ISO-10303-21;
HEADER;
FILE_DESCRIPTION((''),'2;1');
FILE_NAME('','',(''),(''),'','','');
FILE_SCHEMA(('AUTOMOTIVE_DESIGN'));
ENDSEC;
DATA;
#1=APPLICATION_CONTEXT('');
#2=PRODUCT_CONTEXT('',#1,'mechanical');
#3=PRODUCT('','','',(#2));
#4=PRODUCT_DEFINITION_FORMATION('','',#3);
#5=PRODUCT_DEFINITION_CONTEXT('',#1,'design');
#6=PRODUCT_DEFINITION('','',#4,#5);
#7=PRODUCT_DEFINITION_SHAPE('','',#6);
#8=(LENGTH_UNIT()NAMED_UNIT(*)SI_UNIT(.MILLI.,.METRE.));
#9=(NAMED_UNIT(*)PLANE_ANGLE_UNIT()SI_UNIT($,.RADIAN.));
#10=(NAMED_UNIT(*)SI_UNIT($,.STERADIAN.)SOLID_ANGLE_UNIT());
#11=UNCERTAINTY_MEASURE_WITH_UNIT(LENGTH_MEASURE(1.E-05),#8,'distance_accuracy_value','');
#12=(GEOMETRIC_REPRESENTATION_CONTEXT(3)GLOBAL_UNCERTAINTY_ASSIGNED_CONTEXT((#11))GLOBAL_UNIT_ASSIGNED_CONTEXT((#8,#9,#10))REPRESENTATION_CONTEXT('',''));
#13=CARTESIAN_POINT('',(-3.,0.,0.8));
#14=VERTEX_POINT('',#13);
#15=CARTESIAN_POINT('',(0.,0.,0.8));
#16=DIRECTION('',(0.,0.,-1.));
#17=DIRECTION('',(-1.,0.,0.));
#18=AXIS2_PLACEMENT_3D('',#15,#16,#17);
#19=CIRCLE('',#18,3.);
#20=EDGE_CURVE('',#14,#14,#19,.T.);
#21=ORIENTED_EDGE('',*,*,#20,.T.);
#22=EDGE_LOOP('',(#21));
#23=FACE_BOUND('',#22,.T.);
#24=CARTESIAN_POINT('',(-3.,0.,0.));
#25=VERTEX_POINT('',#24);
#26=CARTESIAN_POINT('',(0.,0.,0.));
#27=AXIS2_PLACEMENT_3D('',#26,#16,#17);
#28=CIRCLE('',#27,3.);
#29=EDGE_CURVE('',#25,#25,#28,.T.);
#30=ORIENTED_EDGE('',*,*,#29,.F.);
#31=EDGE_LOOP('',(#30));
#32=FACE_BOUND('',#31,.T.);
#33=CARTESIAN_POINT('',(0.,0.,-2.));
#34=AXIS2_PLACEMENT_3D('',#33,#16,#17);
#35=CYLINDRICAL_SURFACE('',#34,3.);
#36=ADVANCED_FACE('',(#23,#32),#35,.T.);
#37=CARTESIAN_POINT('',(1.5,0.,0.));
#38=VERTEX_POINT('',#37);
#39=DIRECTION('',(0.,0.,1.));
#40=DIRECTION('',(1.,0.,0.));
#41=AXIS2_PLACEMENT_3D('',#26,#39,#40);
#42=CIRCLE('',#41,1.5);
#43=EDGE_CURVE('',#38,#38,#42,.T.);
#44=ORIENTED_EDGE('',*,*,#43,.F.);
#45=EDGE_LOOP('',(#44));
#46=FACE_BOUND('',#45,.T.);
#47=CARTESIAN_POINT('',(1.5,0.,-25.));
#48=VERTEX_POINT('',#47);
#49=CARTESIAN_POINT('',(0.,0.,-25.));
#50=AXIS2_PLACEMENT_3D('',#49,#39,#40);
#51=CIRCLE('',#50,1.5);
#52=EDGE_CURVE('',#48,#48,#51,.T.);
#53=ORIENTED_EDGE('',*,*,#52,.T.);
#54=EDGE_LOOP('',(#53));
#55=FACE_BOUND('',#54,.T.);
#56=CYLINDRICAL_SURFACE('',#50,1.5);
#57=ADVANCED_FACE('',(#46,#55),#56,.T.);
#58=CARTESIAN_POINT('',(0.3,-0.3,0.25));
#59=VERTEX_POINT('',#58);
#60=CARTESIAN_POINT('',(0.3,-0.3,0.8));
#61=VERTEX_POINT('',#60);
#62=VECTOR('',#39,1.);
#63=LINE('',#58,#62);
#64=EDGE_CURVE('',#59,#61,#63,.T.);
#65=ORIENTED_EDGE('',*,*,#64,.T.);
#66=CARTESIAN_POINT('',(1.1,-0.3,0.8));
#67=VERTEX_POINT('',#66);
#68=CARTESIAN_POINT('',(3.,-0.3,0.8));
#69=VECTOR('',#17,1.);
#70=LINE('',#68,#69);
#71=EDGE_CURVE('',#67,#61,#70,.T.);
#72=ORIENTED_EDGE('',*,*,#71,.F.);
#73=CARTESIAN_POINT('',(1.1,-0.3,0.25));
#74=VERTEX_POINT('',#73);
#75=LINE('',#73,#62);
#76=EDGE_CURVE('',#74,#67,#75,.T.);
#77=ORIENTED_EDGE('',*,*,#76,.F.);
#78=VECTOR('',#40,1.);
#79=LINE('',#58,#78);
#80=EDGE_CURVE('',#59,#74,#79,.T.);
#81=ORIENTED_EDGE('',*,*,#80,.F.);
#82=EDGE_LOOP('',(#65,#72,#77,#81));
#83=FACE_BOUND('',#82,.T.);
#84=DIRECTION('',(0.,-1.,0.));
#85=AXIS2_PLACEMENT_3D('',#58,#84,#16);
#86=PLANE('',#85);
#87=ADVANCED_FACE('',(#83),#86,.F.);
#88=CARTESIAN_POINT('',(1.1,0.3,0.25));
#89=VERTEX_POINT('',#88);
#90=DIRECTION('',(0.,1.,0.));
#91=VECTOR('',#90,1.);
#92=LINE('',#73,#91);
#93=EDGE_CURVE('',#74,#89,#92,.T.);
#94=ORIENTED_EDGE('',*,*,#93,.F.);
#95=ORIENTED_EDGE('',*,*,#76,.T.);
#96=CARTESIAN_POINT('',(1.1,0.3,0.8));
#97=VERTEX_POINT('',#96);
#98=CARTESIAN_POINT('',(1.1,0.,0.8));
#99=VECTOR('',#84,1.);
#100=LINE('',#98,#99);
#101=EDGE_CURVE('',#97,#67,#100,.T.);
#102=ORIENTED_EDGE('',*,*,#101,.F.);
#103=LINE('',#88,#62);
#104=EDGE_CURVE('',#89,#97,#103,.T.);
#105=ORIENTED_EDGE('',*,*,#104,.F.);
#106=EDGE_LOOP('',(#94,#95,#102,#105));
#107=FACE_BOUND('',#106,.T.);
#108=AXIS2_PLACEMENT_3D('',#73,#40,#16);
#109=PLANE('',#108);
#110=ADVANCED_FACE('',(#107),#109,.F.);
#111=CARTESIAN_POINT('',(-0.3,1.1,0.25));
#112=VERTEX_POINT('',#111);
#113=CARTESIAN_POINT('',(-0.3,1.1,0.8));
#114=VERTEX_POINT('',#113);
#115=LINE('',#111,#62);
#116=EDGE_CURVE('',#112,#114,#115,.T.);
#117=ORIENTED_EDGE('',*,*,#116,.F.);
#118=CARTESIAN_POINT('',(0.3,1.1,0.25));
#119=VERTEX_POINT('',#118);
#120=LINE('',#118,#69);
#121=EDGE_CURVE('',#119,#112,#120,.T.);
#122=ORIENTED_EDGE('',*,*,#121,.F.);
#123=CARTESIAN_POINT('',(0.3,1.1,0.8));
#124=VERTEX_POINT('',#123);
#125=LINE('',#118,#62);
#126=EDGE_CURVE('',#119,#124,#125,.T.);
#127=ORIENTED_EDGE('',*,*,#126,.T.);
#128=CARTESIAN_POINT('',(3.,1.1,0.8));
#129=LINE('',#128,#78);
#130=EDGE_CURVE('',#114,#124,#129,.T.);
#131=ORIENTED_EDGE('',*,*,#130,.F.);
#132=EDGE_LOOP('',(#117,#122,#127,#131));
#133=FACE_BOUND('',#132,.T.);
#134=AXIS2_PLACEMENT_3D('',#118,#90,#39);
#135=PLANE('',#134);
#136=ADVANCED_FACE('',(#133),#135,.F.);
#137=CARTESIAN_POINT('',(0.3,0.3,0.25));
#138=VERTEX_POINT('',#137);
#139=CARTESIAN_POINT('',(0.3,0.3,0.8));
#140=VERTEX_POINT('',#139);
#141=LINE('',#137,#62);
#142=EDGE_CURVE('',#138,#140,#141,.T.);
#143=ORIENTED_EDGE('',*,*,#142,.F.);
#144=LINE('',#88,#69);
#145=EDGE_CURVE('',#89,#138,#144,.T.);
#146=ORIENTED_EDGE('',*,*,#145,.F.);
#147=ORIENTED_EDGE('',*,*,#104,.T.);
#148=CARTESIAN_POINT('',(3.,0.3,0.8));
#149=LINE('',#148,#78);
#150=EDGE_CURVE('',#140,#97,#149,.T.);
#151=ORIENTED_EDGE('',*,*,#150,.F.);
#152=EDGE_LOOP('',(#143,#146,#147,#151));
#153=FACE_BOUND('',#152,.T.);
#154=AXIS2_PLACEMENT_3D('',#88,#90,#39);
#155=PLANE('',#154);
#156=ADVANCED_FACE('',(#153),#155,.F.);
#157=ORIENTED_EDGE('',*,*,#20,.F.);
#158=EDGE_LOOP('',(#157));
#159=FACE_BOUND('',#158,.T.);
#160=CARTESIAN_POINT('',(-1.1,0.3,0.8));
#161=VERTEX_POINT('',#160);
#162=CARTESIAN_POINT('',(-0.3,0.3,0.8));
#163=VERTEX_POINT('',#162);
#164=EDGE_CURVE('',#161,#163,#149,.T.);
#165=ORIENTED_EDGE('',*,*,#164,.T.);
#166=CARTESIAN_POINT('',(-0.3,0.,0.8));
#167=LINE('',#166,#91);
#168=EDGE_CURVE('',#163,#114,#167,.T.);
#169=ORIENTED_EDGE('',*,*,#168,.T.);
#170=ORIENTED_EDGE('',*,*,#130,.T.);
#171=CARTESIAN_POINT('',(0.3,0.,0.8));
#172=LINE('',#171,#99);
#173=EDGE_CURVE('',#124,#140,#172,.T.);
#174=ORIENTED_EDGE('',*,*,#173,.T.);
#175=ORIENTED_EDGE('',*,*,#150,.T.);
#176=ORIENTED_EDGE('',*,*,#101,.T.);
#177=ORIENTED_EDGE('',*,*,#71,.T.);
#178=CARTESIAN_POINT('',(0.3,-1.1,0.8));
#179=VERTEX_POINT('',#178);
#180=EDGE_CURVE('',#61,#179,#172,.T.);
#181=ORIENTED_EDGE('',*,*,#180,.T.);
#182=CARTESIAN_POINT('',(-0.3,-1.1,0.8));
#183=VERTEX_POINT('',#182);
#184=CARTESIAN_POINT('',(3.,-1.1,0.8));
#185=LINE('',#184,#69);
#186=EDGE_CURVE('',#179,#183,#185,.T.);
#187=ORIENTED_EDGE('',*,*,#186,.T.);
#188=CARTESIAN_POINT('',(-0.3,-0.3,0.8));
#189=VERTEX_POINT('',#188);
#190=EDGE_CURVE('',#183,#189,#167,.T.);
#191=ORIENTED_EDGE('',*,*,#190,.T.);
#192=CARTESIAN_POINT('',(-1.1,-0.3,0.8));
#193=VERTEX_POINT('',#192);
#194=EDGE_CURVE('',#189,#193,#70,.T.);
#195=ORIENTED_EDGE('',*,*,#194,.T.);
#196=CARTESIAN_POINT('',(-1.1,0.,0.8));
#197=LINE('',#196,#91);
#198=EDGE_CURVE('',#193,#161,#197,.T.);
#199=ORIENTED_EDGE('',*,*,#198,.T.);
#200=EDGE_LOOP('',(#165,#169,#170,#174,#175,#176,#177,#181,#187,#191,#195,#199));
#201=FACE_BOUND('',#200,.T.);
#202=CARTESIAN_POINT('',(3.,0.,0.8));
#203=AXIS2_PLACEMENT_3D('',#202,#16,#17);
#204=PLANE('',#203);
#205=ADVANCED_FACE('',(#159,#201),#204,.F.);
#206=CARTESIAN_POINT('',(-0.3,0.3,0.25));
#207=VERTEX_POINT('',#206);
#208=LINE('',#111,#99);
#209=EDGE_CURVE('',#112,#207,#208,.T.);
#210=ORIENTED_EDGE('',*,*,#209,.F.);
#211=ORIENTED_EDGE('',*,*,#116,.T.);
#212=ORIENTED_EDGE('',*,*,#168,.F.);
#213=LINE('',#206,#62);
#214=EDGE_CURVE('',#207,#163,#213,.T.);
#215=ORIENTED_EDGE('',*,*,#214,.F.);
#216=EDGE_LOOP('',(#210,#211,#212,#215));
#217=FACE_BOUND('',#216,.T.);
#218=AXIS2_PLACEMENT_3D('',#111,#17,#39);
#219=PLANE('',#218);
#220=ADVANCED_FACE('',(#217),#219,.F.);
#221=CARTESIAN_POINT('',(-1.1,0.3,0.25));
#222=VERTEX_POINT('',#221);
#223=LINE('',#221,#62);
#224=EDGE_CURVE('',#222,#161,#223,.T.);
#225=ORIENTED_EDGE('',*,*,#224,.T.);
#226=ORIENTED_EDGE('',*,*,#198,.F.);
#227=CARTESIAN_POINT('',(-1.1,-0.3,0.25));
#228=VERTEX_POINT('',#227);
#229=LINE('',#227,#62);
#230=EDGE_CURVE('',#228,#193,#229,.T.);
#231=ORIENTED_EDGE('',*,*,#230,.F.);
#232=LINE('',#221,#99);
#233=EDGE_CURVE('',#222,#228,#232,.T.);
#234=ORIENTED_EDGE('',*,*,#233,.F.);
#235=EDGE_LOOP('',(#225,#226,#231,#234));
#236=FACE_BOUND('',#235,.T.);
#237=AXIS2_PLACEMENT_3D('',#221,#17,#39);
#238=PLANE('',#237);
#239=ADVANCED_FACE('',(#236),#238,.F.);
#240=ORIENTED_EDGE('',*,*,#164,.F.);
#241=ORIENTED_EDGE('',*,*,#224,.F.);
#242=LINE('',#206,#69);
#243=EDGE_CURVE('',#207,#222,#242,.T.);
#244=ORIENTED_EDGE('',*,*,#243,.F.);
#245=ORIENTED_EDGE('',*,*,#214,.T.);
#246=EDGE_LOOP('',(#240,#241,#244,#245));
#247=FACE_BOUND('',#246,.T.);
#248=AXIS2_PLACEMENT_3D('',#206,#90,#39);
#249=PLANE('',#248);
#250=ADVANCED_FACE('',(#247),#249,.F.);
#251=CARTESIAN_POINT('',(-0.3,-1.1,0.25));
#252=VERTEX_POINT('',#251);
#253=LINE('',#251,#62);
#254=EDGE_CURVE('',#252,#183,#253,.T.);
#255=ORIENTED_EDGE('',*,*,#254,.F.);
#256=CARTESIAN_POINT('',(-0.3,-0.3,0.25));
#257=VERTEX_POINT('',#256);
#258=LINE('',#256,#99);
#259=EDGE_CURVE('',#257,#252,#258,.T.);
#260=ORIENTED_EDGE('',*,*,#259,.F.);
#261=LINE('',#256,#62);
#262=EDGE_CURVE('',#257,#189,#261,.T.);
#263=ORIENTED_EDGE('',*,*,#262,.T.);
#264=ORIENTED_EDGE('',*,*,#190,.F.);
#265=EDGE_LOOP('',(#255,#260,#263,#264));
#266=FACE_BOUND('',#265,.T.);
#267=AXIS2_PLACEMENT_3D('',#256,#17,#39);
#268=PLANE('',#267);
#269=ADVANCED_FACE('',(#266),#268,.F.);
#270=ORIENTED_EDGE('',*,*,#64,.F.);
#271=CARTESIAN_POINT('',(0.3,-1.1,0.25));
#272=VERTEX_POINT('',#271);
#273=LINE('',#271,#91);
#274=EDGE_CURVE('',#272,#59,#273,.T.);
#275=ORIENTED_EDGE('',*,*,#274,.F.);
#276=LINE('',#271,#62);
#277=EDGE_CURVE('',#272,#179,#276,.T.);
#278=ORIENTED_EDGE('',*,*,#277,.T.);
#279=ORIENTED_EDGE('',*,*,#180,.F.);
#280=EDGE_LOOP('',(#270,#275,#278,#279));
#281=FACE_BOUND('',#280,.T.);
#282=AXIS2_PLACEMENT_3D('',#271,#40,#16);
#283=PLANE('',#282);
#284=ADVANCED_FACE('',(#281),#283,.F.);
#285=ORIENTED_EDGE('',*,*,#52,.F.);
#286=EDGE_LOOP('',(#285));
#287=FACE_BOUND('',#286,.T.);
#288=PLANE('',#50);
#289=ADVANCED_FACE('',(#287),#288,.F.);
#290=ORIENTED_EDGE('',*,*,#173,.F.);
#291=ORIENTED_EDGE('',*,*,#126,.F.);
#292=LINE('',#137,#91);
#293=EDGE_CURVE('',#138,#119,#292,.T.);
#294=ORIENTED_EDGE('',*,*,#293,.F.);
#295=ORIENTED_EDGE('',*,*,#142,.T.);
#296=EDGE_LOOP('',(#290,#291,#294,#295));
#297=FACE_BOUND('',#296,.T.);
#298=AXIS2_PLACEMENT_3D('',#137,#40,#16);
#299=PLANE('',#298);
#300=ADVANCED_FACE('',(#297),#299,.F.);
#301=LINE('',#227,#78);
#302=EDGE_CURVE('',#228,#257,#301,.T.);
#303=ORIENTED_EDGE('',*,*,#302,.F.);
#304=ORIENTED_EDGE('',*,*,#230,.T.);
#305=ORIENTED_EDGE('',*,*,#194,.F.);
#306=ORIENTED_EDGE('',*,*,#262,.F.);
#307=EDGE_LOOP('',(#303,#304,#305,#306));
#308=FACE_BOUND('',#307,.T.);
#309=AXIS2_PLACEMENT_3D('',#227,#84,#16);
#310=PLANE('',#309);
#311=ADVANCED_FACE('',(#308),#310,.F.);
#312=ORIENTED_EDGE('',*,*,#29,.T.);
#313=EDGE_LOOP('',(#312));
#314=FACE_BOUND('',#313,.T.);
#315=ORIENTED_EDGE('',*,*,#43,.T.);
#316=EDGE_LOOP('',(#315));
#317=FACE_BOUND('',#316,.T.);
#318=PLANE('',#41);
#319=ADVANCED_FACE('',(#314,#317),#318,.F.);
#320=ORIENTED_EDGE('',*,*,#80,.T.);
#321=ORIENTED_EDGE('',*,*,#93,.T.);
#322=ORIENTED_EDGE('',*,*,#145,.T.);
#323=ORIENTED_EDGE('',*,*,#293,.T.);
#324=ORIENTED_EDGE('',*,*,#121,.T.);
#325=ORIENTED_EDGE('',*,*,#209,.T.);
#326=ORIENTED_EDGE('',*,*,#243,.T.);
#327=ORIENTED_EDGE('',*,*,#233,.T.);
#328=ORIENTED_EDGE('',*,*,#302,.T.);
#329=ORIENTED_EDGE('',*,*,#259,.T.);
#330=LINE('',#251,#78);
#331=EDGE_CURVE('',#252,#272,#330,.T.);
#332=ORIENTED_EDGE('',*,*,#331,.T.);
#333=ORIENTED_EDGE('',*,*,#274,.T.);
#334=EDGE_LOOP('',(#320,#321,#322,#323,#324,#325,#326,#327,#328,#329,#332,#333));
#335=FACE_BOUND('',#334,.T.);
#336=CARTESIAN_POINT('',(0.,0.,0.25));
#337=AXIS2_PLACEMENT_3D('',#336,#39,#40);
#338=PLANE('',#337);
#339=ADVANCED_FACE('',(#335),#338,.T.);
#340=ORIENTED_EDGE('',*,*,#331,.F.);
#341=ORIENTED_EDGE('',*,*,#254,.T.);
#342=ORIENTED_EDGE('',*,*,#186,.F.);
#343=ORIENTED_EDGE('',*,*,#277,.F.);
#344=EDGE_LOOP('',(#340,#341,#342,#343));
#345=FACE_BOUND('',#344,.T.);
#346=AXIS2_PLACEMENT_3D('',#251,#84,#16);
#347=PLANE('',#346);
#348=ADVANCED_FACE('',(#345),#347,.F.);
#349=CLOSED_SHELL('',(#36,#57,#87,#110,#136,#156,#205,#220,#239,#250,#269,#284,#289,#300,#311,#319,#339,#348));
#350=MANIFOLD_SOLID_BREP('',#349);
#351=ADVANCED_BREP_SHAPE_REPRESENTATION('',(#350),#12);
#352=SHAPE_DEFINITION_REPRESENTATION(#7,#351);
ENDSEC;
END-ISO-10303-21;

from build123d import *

# Parameters (mm, degrees)
SKETCH_1_R        = 1.5
EXTRUDE_198_DEPTH = 25
SKETCH_6_W        = 3
SKETCH_6_H        = 0.8
PH1_START         = 0.81
PH1_DEPTH         = 0.56


with BuildPart() as part:
    # 草图1 → Extrude 198 (new body)
    with BuildSketch(Plane.XY):
        Circle(SKETCH_1_R)
    extrude(amount=-EXTRUDE_198_DEPTH)

    # 草图6 → Revolve 324 (revolve)
    with BuildSketch(Plane(origin=(0, 0, 0), x_dir=(1, 0, 0), z_dir=(0, 1, 0)), mode=Mode.PRIVATE) as revolve_324_sk:
        with Locations((1.5, -0.4)):
            Rectangle(SKETCH_6_W, SKETCH_6_H)
    revolve(revolve_324_sk.sketch.rotate(Axis((0, 0, -2), (0, 0, 1)), 180), axis=Axis((0, 0, -2), (0, 0, 1)))

    # 草图7 → 十字槽_PH1_简化 (cut)
    with BuildSketch(Plane.XY.offset(PH1_START)):
        Polygon((-0.3, -1.1), (0.3, -1.1), (0.3, -0.3), (1.1, -0.3), (1.1, 0.3), (0.3, 0.3), (0.3, 1.1), (-0.3, 1.1), (-0.3, 0.3), (-1.1, 0.3), (-1.1, -0.3), (-0.3, -0.3), align=None)
    extrude(amount=-PH1_DEPTH, mode=Mode.SUBTRACT)


solid = part.part
